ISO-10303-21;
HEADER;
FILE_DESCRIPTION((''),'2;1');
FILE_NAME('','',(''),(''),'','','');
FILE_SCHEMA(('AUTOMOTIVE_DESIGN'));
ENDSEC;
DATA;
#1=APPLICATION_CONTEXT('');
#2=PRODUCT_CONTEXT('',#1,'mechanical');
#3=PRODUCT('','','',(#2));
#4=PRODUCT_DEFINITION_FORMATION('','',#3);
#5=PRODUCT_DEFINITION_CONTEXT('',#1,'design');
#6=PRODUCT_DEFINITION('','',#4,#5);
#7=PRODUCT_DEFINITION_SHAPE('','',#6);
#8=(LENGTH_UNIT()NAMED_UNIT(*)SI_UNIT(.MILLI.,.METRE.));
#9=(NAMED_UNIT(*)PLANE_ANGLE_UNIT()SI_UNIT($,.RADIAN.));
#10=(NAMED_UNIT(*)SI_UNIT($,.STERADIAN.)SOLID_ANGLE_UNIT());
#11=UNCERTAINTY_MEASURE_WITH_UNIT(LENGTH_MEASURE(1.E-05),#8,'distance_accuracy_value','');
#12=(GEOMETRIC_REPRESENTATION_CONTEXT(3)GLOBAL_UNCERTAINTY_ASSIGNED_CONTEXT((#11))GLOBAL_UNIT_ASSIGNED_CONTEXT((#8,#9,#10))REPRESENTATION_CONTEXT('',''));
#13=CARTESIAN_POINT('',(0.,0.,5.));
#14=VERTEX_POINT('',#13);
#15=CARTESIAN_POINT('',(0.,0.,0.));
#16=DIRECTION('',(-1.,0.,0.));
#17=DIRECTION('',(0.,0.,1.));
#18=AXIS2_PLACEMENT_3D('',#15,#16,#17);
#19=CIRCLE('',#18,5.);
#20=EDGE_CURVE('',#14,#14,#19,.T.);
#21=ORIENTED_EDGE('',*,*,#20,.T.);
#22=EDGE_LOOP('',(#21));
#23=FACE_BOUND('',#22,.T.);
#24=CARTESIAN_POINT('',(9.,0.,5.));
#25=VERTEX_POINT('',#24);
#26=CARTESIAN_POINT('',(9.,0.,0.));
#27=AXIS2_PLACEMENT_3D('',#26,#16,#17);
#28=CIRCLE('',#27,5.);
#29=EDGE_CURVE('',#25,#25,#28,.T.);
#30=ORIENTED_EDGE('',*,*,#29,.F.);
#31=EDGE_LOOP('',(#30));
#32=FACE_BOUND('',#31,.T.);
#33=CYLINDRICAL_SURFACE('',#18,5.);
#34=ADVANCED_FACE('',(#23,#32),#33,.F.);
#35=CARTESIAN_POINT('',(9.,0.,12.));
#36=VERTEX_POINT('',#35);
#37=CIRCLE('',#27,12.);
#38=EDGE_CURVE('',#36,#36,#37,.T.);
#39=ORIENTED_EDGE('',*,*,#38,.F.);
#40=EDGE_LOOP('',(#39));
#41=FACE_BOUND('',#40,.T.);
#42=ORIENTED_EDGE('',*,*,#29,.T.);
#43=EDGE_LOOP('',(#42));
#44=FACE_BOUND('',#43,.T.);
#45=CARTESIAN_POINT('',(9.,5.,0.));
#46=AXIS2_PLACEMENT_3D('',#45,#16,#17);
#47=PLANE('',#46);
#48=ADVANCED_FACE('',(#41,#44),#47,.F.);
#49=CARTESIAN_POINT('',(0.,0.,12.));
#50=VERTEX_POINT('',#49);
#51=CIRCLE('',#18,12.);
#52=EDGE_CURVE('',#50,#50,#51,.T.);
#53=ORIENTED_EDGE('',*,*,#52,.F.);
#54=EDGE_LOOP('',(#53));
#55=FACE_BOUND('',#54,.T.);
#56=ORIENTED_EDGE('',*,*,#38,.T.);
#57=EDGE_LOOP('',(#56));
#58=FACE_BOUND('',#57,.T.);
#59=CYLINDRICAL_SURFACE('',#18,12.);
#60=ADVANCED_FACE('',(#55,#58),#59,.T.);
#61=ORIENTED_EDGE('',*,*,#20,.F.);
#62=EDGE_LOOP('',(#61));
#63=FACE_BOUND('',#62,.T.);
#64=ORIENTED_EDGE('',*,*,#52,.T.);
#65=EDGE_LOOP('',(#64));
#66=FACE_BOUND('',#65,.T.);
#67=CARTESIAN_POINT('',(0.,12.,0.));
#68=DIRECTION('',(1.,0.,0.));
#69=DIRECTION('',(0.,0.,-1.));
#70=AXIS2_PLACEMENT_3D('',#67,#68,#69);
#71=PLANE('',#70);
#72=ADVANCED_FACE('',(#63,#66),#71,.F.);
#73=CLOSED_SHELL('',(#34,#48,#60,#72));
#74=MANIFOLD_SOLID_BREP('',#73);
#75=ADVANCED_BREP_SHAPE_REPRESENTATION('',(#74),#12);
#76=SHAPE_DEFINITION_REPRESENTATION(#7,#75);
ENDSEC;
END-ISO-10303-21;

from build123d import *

# Parameters (mm, degrees)
SKETCH1_W = 9
SKETCH1_H = 7


with BuildPart() as part:
    # Sketch1 → Revolve1 (revolve)
    with BuildSketch(Plane.XY, mode=Mode.PRIVATE) as revolve1_sk:
        with Locations((4.5, 8.5)):
            Rectangle(SKETCH1_W, SKETCH1_H)
    revolve(revolve1_sk.sketch.rotate(Axis((0, 0, 0), (1, 0, 0)), 90), axis=Axis((0, 0, 0), (1, 0, 0)))


solid = part.part
